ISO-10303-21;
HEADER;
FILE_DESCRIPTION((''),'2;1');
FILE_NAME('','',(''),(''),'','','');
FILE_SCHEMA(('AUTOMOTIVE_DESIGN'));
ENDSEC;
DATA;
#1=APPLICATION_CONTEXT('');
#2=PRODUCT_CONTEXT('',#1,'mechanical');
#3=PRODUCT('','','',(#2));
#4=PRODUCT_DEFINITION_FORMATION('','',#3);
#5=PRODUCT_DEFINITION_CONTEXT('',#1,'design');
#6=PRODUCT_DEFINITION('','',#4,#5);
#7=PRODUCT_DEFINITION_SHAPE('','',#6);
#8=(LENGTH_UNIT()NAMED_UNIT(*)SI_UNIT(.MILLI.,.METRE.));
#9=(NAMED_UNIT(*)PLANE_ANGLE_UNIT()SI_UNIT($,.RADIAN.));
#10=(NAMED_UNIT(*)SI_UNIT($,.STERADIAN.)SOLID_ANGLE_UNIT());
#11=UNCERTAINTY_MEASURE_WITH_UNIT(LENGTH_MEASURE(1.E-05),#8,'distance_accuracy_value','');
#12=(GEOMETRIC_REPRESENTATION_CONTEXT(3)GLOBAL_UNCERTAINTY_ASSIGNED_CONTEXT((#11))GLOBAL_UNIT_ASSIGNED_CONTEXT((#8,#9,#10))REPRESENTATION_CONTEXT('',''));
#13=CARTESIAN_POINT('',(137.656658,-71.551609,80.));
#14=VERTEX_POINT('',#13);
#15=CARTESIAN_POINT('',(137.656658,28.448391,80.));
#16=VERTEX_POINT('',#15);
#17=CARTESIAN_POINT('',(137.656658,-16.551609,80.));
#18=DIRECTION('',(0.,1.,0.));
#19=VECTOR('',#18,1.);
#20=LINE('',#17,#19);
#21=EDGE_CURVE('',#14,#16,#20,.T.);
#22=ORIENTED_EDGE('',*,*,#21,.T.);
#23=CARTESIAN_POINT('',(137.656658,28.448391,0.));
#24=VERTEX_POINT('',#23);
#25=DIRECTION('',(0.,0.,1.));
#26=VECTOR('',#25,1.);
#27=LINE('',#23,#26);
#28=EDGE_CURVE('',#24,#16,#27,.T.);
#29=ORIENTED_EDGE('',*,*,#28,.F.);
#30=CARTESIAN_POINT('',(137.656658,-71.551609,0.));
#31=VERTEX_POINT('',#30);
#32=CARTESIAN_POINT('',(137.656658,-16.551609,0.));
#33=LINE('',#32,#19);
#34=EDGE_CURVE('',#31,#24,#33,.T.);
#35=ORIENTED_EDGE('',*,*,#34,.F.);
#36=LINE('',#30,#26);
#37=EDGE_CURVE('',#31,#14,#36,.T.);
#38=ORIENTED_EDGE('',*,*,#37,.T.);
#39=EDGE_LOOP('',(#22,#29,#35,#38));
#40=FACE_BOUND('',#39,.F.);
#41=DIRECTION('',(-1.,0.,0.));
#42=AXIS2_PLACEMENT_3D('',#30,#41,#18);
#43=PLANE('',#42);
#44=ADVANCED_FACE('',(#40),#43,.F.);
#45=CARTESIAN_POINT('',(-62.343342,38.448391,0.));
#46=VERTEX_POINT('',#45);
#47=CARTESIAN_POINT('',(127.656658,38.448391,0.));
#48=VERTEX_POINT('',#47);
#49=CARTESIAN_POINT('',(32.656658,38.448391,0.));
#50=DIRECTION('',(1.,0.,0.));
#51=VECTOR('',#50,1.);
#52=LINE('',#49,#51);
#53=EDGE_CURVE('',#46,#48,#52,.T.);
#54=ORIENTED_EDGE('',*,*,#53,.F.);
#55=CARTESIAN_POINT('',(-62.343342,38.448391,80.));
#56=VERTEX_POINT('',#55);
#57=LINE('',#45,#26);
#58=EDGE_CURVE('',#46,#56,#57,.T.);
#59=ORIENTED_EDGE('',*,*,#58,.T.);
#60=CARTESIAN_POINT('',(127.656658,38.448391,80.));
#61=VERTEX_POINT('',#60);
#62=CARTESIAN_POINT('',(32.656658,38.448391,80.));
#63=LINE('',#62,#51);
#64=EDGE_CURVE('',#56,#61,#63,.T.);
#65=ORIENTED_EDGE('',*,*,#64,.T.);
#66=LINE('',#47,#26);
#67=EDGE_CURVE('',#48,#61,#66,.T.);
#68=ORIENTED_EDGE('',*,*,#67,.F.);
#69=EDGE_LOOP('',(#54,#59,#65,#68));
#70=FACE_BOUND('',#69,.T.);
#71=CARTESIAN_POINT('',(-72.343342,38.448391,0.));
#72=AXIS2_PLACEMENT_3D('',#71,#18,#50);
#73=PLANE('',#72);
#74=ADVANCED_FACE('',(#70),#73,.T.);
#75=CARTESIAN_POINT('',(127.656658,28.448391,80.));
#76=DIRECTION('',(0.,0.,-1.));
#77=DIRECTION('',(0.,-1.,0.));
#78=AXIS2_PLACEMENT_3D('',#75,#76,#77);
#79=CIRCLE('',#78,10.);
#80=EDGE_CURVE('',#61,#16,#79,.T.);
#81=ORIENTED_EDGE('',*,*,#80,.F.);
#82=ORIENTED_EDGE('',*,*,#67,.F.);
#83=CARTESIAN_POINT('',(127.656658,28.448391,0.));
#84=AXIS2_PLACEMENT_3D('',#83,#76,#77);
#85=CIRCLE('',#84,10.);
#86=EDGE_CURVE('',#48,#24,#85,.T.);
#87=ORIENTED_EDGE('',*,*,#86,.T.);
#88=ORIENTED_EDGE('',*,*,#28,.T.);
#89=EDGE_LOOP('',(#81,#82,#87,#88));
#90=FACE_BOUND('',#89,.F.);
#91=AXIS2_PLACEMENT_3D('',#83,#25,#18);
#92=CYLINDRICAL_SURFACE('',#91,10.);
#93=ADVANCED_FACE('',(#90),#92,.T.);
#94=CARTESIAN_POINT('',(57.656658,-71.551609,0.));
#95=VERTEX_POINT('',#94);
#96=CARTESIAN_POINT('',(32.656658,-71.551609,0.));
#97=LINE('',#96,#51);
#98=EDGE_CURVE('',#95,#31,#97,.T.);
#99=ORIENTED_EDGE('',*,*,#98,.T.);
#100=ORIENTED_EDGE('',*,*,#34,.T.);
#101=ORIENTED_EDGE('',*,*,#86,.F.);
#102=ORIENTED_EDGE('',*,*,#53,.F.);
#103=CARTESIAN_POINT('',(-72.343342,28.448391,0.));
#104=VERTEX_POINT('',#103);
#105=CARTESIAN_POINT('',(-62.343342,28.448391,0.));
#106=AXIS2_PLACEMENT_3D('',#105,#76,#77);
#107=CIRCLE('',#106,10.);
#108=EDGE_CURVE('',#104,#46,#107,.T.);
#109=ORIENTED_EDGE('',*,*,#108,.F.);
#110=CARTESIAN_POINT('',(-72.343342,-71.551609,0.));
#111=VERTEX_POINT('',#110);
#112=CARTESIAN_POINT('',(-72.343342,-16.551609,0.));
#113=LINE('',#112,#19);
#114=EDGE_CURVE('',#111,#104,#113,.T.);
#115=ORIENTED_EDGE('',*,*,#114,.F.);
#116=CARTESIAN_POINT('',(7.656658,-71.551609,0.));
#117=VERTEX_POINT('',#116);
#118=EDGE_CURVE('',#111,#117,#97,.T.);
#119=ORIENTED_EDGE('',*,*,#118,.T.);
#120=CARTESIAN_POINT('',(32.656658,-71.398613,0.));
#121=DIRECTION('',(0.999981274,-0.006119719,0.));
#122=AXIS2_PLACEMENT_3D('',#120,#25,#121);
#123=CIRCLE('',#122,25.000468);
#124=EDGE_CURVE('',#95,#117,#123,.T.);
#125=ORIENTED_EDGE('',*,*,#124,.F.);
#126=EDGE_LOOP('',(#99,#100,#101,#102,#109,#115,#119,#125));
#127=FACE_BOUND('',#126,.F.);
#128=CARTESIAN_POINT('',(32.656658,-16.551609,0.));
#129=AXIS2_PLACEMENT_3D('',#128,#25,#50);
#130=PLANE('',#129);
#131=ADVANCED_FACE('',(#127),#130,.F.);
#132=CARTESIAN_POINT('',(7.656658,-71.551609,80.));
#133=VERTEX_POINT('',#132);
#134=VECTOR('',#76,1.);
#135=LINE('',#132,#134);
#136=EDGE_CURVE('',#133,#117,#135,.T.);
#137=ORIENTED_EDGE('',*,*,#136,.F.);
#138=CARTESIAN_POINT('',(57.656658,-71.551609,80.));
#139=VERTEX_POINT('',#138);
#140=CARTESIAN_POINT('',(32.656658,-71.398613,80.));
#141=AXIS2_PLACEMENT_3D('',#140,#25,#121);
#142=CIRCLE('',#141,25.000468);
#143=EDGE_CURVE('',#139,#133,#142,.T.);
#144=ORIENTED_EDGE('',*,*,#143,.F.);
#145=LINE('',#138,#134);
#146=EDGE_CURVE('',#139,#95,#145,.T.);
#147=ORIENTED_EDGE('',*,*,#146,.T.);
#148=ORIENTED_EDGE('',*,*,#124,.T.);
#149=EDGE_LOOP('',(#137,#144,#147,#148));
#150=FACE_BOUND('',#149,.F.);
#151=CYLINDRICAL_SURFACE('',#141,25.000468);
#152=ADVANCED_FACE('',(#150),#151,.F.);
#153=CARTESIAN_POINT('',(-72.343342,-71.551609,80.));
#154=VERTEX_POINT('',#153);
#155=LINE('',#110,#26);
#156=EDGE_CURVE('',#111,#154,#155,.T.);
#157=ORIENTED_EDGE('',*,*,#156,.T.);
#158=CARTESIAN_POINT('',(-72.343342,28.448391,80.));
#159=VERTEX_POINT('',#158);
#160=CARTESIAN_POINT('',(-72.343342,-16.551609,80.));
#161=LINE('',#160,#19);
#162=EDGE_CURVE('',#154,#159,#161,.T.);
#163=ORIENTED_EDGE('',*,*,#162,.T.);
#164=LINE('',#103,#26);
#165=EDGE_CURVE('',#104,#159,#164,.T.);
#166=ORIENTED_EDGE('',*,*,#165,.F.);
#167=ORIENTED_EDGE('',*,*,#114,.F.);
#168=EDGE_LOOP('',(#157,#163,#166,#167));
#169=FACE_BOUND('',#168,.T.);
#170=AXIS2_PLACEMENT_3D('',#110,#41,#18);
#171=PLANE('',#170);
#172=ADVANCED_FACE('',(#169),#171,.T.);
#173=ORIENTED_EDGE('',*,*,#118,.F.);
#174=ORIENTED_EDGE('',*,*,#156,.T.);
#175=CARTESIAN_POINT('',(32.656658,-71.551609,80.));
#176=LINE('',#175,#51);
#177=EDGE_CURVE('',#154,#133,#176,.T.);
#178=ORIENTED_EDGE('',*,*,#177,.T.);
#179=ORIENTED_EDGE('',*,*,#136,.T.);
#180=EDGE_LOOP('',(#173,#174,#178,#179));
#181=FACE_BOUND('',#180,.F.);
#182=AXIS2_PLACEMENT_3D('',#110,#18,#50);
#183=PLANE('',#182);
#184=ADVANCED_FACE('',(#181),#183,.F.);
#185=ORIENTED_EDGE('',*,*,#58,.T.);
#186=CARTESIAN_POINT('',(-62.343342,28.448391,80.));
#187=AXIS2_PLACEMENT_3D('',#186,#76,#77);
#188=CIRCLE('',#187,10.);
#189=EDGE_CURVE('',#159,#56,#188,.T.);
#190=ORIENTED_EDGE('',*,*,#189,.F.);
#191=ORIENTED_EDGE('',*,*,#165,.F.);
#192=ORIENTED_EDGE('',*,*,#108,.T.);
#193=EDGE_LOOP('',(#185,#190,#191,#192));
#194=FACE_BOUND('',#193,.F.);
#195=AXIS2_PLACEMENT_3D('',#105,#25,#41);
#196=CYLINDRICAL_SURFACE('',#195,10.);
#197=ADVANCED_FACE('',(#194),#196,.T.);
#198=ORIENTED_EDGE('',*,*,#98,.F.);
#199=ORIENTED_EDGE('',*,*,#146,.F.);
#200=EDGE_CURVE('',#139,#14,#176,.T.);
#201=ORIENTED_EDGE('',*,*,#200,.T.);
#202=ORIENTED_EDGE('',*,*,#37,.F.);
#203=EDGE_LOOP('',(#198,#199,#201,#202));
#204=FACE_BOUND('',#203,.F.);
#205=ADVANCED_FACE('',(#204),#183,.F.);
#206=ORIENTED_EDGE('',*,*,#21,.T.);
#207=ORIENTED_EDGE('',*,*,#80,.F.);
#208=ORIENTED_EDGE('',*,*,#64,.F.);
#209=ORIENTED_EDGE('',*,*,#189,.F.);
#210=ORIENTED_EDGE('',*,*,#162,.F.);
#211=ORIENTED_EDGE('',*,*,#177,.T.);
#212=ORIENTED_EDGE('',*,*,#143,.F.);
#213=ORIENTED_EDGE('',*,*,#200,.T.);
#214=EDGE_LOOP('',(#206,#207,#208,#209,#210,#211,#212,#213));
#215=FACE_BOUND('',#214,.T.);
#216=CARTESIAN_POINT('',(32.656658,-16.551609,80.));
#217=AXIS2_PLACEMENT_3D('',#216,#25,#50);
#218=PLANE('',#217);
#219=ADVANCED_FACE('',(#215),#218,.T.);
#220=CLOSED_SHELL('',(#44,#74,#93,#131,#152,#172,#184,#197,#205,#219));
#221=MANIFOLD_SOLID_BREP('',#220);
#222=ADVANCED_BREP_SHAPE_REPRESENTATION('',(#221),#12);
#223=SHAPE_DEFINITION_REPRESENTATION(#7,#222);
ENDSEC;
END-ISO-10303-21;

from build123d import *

# Parameters (mm, degrees)
F0_W     = 210
F0_H     = 110
F1_DEPTH = 80
F3_DEPTH = 80
F4_R     = 10


with BuildPart() as f1:
    # F0 (on Top) → F1 (new body)
    with BuildSketch(Plane.XY):
        with Locations((32.656658, -16.551609)):
            Rectangle(F0_W, F0_H)
    extrude(amount=F1_DEPTH)

    # F2 (on face) → F3 (cut)
    with BuildSketch(Plane.XY.offset(80)):
        with BuildLine():
            Line((7.656658, -71.551609), (57.656658, -71.551609))
            ThreePointArc((57.656658, -71.551609), (32.656658, -46.398145), (7.656658, -71.551609))
        make_face()
    extrude(amount=-F3_DEPTH, mode=Mode.SUBTRACT)

    # F4
    f4_edges = [f1.edges().sort_by_distance(p)[0] for p in [
        (-72.343342, 38.448391, 40),
        (137.656658, 38.448391, 40),
    ]]
    fillet(f4_edges, radius=F4_R)


solid = f1.part
